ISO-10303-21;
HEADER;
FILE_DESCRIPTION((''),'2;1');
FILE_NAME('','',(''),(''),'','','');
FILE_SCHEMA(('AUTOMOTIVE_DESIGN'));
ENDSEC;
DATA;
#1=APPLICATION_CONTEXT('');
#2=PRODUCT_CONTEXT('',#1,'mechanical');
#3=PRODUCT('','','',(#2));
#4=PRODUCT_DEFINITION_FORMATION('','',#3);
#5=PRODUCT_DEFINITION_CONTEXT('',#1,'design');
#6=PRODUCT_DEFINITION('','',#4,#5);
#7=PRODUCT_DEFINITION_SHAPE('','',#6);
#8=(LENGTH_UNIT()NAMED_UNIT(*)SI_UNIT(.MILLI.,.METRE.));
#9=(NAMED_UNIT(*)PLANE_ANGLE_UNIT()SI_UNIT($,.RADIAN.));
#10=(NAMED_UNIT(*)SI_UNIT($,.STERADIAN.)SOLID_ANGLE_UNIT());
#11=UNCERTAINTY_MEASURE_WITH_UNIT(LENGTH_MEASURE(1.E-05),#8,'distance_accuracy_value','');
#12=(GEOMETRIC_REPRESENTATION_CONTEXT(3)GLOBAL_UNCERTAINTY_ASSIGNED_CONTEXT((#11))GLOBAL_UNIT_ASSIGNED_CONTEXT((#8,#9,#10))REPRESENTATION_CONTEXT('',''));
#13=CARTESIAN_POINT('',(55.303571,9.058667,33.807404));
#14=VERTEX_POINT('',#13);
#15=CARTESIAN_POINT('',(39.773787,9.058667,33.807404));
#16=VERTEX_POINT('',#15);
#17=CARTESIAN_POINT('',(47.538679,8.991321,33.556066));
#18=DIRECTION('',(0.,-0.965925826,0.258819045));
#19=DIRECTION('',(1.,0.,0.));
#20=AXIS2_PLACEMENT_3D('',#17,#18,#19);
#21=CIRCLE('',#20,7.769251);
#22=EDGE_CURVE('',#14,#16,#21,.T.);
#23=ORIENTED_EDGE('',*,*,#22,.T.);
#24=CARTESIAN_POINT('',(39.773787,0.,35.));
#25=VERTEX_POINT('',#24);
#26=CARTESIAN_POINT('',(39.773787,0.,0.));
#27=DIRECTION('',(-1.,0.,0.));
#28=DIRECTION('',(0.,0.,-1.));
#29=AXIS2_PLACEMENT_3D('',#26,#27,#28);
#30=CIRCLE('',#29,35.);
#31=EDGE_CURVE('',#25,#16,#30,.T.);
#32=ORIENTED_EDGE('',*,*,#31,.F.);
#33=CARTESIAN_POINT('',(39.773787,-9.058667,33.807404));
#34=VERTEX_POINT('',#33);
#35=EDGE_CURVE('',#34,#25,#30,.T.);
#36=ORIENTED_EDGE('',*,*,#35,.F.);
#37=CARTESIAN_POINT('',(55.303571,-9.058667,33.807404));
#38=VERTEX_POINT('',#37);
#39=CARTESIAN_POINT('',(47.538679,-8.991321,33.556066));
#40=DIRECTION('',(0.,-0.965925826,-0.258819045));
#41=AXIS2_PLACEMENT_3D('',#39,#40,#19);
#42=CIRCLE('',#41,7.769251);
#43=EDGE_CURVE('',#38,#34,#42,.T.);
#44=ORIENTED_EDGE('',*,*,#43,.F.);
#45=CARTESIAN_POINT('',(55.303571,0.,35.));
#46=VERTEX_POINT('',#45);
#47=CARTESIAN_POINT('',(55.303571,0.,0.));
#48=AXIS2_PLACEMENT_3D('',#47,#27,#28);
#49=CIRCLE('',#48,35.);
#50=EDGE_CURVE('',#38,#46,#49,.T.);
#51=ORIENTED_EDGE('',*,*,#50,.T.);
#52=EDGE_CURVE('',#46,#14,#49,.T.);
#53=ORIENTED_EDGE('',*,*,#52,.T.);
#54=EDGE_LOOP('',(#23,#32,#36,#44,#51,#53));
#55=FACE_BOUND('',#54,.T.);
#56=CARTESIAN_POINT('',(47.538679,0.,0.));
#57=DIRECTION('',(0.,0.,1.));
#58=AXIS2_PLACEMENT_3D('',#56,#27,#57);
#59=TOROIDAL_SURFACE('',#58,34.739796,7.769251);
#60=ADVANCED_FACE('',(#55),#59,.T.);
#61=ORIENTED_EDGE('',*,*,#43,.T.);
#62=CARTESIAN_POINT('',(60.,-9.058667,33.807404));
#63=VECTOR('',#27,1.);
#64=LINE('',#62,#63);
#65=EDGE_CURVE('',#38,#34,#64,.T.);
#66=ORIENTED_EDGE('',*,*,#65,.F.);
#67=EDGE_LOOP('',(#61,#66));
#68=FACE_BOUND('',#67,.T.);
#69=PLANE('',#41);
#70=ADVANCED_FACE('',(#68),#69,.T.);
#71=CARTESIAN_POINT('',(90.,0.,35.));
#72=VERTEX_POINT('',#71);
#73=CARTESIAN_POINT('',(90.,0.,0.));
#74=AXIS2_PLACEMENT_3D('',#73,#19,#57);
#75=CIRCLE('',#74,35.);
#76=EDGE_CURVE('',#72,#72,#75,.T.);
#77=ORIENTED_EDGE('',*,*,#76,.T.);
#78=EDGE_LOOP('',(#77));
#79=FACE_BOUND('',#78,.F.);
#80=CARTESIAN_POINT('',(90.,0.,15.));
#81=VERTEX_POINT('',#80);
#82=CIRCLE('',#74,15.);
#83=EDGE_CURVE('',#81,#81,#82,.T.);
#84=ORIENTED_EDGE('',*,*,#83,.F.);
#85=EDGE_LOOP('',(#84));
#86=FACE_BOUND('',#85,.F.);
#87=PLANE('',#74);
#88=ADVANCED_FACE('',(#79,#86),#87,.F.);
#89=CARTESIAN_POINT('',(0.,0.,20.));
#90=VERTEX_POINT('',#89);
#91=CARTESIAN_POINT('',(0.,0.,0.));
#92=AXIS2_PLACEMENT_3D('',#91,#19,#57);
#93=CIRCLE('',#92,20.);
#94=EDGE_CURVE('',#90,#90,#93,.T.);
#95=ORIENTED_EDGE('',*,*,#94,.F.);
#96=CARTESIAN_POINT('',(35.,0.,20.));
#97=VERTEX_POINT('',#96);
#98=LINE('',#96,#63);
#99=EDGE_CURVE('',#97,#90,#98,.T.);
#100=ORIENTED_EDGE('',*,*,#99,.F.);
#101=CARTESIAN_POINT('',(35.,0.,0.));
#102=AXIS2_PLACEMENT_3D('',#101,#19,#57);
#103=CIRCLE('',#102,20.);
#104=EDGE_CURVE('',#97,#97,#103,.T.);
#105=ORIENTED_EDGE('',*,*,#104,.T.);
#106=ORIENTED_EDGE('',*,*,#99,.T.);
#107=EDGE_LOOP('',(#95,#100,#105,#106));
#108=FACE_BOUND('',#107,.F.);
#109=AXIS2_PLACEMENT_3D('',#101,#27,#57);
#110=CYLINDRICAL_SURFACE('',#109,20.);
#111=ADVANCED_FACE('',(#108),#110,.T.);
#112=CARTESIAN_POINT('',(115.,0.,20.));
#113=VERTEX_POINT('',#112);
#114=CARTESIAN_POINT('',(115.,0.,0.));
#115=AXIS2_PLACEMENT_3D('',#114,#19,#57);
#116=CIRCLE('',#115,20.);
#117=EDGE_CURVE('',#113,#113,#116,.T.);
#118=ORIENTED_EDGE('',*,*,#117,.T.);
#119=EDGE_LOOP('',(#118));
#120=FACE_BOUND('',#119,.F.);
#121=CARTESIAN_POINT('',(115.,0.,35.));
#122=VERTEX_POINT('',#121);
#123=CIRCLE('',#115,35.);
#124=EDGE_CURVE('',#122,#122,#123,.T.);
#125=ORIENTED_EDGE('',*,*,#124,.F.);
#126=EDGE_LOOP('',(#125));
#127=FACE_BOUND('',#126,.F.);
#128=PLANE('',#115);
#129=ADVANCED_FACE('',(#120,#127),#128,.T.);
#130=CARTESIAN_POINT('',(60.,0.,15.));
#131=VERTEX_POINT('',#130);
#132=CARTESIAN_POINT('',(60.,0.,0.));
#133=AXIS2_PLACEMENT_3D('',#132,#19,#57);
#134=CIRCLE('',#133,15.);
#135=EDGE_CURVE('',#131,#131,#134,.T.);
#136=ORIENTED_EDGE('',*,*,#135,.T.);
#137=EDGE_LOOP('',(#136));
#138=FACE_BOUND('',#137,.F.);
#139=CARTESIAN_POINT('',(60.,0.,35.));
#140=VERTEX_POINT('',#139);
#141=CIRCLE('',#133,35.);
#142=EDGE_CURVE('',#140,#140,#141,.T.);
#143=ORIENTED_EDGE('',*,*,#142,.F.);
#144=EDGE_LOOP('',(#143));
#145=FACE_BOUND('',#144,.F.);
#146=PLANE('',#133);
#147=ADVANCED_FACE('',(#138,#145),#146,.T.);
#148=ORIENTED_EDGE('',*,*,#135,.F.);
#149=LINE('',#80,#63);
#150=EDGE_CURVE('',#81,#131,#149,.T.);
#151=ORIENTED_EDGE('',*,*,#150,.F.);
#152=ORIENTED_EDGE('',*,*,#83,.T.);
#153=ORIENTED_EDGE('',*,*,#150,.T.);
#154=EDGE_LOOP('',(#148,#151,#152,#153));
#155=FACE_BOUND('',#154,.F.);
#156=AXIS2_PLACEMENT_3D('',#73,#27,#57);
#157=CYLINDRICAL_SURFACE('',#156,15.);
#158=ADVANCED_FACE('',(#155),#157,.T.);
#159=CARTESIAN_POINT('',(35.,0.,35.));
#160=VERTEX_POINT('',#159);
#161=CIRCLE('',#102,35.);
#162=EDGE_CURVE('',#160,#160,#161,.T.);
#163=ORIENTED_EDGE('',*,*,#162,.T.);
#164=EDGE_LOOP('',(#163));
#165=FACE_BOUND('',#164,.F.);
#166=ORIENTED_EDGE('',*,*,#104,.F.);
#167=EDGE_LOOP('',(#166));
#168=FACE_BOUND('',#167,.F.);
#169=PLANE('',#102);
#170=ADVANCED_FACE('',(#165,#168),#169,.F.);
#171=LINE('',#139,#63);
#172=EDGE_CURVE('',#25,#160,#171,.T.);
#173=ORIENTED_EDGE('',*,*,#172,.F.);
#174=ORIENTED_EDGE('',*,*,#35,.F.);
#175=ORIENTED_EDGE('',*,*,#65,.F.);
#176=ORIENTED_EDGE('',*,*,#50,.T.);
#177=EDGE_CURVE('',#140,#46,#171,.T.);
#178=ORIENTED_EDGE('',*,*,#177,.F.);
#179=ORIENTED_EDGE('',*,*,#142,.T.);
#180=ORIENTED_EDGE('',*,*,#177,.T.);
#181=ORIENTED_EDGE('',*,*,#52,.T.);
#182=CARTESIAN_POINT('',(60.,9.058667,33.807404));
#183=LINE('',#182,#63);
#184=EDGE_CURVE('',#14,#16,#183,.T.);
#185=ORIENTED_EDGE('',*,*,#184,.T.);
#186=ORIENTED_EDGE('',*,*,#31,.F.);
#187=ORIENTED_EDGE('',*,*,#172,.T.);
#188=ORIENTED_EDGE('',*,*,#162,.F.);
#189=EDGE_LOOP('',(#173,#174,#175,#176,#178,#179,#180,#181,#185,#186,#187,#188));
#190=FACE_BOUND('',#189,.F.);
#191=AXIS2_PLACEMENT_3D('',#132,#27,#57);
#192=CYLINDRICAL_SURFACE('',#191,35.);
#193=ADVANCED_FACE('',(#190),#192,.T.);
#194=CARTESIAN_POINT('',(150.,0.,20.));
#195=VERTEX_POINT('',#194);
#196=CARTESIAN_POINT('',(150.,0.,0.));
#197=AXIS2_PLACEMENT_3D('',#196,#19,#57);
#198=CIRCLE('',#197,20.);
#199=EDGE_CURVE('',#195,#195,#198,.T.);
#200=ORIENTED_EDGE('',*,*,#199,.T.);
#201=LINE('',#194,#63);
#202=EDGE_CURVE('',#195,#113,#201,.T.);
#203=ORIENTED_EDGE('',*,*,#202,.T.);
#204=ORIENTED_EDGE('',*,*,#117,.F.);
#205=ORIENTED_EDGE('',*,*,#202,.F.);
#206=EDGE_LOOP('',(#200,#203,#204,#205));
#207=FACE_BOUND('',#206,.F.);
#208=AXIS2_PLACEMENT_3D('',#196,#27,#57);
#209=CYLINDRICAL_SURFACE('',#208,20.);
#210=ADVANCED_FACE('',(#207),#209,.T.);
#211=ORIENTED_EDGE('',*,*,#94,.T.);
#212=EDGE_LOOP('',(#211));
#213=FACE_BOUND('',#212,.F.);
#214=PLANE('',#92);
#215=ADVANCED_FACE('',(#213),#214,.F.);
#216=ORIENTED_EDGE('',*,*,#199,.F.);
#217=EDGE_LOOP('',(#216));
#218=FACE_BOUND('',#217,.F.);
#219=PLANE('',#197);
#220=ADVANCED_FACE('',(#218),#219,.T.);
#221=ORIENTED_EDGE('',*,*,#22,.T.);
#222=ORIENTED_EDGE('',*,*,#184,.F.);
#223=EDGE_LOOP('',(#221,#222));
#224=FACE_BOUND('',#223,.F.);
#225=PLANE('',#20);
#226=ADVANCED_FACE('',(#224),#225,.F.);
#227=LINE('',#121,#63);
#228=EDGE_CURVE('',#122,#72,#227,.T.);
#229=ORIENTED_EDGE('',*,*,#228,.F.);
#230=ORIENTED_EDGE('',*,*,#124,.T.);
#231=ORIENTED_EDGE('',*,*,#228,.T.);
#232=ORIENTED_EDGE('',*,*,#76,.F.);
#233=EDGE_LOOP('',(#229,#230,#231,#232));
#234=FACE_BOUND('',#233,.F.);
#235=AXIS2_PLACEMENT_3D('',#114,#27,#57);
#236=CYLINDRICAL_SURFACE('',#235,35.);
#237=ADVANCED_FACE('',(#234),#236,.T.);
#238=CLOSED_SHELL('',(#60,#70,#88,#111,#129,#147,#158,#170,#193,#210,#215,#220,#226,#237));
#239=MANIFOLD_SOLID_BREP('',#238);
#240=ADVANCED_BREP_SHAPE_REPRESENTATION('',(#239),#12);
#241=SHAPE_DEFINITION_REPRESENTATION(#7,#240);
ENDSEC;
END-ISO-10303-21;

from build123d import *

# Parameters (mm, degrees)
F2_R     = 7.769251
F3_ANGLE = 30


with BuildPart() as f1:
    # F0 (on Front) → F1 (revolve)
    with BuildSketch(Plane.XZ):
        Polygon((0, 20), (0, 0), (150, 0), (150, 20), (115, 20), (115, 35), (90, 35), (90, 15), (60, 15), (60, 35), (35, 35), (35, 20), align=None)
    revolve(axis=Axis((75, 0, 0), (1, 0, 0)))

    # F2 (on Front) → F3 (revolve, symmetric)
    with BuildSketch(Plane.XZ) as f3_sk:
        with Locations((47.538679, 34.739796)):
            Circle(F2_R)
    revolve(axis=Axis((82.887948, 0, 0), (1, 0, 0)), revolution_arc=F3_ANGLE / 2)
    revolve(f3_sk.sketch, axis=Axis((82.887948, 0, 0), (-1, 0, 0)), revolution_arc=F3_ANGLE / 2)


solid = f1.part
